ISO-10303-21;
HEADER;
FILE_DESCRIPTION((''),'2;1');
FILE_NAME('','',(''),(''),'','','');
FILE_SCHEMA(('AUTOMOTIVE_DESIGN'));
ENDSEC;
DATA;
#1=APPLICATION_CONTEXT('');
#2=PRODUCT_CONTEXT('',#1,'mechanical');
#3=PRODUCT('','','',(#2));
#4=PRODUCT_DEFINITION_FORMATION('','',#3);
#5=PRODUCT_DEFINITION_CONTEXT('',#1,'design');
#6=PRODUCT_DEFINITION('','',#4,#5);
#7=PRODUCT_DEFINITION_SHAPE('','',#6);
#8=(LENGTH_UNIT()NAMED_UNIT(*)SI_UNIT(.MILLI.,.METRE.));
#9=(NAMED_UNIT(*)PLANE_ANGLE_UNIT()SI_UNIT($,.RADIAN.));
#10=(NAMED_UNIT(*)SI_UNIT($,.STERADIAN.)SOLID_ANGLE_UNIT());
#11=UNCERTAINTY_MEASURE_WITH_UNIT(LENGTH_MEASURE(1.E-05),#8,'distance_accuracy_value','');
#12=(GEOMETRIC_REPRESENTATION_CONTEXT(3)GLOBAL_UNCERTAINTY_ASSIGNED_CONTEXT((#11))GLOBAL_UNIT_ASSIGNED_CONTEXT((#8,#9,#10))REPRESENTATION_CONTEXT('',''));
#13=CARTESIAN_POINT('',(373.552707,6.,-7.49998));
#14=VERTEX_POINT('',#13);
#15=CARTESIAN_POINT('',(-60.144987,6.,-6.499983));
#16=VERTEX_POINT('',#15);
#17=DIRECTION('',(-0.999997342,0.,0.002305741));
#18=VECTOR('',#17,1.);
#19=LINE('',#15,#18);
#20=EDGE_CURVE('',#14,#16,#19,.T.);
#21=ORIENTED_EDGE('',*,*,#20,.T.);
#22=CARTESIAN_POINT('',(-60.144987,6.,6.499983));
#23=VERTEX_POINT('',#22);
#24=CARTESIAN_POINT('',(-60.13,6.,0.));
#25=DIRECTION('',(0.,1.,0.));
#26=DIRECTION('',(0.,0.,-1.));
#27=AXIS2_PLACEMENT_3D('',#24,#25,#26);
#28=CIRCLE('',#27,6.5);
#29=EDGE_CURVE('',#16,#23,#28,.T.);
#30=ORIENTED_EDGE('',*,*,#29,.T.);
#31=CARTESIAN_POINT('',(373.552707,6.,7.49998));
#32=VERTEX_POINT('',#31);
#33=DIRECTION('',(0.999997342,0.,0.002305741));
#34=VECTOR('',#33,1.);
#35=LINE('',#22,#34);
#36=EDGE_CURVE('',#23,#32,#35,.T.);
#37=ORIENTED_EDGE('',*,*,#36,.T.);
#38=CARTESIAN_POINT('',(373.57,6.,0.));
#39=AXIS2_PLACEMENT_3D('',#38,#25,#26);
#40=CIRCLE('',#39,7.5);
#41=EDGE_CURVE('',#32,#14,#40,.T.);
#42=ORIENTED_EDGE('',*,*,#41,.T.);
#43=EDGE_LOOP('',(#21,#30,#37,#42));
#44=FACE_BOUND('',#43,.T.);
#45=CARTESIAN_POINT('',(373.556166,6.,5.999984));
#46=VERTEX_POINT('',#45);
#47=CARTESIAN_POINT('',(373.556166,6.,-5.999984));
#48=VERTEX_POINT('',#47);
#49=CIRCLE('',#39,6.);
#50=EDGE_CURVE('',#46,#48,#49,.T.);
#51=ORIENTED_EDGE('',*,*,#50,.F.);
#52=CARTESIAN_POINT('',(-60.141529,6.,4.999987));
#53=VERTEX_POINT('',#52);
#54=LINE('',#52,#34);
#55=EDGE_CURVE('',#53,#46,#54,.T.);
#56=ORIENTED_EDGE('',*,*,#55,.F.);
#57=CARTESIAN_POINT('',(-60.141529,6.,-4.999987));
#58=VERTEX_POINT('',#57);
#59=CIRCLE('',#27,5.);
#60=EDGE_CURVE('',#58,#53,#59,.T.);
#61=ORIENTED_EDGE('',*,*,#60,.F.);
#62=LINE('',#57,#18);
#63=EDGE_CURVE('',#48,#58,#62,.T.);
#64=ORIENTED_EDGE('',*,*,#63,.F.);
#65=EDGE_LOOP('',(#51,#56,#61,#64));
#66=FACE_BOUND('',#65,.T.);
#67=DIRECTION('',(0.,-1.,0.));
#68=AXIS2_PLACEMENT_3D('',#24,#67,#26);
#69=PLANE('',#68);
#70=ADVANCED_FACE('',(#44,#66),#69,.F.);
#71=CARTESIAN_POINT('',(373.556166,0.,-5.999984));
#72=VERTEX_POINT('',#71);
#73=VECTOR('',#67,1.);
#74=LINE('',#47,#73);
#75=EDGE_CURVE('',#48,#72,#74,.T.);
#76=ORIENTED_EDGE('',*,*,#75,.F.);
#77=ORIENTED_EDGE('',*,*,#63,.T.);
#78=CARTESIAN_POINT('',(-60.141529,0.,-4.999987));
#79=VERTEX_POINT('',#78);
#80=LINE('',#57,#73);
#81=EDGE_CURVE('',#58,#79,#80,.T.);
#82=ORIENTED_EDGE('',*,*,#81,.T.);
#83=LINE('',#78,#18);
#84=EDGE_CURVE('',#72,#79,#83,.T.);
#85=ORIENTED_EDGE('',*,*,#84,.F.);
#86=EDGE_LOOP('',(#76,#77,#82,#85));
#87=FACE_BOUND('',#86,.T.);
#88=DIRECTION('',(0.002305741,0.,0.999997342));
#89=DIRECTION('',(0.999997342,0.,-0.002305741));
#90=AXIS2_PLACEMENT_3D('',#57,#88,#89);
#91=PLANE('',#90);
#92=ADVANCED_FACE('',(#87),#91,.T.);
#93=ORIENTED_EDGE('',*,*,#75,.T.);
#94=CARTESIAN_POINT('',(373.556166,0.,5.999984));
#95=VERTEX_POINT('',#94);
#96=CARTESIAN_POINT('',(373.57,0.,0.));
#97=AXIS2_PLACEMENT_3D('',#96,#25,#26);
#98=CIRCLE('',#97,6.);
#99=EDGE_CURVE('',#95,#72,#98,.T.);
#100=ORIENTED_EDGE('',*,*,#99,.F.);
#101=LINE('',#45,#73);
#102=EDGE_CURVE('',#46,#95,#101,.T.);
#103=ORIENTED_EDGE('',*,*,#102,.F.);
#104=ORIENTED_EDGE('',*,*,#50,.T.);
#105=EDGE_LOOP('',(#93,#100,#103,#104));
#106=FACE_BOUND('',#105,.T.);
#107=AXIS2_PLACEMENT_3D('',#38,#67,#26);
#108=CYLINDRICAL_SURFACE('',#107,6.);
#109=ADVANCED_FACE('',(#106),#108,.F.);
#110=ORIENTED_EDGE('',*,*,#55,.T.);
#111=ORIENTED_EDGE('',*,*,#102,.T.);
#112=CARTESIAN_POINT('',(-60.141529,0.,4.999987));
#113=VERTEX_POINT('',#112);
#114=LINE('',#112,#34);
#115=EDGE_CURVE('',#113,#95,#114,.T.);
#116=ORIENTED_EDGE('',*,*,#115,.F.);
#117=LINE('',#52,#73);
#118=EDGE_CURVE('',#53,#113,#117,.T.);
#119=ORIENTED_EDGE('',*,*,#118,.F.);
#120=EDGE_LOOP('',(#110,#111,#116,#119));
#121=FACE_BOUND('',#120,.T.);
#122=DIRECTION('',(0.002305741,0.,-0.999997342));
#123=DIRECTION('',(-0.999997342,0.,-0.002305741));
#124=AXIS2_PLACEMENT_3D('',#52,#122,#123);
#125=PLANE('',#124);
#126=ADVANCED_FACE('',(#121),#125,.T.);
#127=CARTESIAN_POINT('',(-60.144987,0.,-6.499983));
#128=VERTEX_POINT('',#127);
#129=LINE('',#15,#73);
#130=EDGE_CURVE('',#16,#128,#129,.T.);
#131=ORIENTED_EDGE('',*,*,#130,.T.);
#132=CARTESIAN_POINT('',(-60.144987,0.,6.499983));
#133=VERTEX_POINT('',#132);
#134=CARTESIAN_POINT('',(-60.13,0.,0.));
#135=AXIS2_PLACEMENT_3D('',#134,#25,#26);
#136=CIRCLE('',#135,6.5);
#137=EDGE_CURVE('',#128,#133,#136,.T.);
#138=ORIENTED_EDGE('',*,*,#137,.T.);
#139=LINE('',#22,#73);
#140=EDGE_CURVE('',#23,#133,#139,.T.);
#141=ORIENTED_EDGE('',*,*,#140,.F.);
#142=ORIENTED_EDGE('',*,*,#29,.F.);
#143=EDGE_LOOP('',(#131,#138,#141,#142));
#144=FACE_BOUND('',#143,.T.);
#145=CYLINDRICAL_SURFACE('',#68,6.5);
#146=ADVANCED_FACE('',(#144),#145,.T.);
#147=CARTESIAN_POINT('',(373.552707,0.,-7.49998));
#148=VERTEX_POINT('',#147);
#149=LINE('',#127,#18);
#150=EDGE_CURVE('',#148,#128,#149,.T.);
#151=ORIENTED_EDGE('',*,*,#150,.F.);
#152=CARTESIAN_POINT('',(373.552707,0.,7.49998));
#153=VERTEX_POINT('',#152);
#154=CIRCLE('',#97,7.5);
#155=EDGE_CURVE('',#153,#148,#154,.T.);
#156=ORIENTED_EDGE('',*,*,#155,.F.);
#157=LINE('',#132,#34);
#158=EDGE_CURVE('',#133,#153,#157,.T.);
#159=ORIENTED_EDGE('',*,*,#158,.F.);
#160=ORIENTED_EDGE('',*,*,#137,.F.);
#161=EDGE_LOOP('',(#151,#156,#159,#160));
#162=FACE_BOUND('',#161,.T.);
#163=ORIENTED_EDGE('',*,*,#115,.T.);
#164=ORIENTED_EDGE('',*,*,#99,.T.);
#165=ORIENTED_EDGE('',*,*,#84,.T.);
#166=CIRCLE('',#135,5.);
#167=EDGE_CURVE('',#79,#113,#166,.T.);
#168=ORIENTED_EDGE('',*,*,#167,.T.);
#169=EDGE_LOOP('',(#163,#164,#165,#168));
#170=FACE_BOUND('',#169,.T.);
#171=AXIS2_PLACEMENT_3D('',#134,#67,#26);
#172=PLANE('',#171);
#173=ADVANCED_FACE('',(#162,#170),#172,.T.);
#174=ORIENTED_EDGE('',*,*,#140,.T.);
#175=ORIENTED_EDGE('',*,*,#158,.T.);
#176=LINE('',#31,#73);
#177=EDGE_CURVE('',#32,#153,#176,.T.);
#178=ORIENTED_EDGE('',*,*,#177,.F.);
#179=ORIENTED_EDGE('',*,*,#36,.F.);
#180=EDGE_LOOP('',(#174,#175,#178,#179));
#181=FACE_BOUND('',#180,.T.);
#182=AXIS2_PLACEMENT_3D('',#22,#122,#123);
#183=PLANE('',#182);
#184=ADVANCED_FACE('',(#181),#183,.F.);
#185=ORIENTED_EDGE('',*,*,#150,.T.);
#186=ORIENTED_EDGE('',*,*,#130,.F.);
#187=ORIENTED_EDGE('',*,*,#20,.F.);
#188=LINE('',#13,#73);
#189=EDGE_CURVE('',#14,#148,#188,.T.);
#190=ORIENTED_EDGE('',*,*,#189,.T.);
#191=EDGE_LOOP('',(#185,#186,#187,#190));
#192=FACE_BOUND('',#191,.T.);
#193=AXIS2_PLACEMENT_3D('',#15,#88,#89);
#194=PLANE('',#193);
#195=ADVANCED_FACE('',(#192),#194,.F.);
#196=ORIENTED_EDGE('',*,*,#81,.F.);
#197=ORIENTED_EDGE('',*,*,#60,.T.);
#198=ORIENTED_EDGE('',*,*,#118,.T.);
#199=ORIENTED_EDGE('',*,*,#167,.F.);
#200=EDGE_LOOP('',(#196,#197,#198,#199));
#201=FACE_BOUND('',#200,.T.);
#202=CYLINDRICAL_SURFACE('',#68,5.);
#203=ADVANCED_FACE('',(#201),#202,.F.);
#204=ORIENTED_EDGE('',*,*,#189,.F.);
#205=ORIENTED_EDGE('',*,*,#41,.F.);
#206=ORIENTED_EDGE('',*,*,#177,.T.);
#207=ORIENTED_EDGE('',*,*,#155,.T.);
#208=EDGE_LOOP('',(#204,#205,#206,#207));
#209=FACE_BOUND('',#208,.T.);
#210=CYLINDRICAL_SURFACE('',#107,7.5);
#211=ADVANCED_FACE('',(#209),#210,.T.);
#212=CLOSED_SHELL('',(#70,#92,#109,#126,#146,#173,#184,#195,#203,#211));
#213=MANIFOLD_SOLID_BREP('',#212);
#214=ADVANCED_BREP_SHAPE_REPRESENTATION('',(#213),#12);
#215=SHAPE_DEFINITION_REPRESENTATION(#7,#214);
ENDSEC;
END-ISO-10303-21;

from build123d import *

# Parameters (mm, degrees)
SALIENTE_EXTRUIR1_DEPTH = 6


with BuildPart() as part:
    # Croquis1 → Saliente-Extruir1 (new body)
    with BuildSketch(Plane(origin=(0, 0, 0), x_dir=(1, 0, 0), z_dir=(0, 1, 0))):
        with BuildLine():
            Line((-60.144987318, 6.499982722), (373.55270694, 7.499980063))
            ThreePointArc((373.55270694, 7.499980063), (381.07, 0), (373.55270694, -7.499980063))
            Line((373.55270694, -7.499980063), (-60.144987318, -6.499982722))
            ThreePointArc((-60.144987318, -6.499982722), (-66.63, 0), (-60.144987318, 6.499982722))
        make_face()
        with BuildLine():
            Line((-60.141528706, 4.999986709), (373.556165552, 5.999984051))
            ThreePointArc((373.556165552, 5.999984051), (379.57, 0), (373.556165552, -5.999984051))
            Line((373.556165552, -5.999984051), (-60.141528706, -4.999986709))
            ThreePointArc((-60.141528706, -4.999986709), (-65.13, 0), (-60.141528706, 4.999986709))
        make_face(mode=Mode.SUBTRACT)
    extrude(amount=SALIENTE_EXTRUIR1_DEPTH)


solid = part.part
